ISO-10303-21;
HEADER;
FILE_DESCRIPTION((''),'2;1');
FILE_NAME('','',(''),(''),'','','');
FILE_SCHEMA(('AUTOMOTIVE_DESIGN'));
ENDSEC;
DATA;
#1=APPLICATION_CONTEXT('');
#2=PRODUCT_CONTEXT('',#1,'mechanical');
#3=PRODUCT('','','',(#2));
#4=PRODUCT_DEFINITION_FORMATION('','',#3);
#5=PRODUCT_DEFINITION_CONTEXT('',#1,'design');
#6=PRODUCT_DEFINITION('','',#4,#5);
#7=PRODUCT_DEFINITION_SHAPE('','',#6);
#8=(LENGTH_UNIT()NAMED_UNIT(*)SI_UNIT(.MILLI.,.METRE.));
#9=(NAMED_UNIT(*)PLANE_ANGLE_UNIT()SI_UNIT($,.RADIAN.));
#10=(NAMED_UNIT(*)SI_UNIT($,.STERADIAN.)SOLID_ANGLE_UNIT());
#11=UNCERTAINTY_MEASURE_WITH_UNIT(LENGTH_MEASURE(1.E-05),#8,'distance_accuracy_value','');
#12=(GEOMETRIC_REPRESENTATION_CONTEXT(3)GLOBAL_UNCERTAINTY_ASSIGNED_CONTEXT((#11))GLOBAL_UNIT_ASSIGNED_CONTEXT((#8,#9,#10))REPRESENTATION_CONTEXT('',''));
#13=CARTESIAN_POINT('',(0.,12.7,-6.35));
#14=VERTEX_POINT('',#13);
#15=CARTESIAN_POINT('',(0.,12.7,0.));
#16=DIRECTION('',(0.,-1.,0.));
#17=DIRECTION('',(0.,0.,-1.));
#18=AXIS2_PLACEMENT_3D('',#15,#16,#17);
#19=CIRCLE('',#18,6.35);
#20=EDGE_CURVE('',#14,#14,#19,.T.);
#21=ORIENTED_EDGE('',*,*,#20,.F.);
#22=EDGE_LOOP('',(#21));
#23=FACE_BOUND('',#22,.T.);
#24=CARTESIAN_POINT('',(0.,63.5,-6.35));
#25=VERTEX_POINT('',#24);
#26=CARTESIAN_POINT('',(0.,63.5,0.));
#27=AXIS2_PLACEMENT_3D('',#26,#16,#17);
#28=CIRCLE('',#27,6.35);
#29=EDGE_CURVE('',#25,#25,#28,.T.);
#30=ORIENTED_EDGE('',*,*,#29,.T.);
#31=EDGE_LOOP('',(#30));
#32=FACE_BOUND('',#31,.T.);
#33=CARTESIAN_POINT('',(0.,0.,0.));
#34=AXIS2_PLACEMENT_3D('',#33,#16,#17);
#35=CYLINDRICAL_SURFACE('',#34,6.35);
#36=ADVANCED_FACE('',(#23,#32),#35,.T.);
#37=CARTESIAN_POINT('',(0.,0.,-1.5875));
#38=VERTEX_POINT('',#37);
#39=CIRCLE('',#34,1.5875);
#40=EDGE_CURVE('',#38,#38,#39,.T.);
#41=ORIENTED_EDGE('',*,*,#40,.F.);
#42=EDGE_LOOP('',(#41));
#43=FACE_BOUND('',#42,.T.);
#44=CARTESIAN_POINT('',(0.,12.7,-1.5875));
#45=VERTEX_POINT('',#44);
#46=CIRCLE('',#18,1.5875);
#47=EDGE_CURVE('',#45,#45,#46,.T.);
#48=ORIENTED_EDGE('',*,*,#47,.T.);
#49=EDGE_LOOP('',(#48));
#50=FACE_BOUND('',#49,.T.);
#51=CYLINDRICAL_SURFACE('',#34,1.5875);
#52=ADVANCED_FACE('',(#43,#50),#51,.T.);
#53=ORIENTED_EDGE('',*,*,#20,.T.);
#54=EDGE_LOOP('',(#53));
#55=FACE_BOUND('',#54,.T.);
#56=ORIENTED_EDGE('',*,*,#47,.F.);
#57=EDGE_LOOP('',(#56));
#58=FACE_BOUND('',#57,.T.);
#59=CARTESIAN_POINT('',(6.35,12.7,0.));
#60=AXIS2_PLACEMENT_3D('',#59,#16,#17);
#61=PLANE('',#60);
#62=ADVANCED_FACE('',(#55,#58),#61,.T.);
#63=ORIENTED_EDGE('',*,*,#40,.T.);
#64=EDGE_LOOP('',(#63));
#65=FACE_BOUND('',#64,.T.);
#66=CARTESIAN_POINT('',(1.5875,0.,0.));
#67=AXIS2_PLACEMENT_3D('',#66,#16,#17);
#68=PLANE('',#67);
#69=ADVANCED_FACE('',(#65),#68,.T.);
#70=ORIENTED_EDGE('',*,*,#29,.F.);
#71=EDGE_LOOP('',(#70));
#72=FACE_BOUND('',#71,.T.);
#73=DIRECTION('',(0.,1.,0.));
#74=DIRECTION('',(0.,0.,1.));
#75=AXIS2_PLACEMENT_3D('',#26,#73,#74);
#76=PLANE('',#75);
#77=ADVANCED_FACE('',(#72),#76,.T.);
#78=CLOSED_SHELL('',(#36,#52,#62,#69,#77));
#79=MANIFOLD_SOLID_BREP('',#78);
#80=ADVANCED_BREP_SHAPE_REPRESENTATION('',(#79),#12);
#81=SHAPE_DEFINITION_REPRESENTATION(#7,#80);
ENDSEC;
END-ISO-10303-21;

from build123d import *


with BuildPart() as part:
    # Sketch1 → Revolve1 (revolve)
    with BuildSketch(Plane.XY):
        Polygon((0, 63.5), (6.35, 63.5), (6.35, 12.7), (1.5875, 12.7), (1.5875, 0), (0, 0), align=None)
    revolve(axis=Axis((0, 0, 0), (0, 1, 0)))


solid = part.part
